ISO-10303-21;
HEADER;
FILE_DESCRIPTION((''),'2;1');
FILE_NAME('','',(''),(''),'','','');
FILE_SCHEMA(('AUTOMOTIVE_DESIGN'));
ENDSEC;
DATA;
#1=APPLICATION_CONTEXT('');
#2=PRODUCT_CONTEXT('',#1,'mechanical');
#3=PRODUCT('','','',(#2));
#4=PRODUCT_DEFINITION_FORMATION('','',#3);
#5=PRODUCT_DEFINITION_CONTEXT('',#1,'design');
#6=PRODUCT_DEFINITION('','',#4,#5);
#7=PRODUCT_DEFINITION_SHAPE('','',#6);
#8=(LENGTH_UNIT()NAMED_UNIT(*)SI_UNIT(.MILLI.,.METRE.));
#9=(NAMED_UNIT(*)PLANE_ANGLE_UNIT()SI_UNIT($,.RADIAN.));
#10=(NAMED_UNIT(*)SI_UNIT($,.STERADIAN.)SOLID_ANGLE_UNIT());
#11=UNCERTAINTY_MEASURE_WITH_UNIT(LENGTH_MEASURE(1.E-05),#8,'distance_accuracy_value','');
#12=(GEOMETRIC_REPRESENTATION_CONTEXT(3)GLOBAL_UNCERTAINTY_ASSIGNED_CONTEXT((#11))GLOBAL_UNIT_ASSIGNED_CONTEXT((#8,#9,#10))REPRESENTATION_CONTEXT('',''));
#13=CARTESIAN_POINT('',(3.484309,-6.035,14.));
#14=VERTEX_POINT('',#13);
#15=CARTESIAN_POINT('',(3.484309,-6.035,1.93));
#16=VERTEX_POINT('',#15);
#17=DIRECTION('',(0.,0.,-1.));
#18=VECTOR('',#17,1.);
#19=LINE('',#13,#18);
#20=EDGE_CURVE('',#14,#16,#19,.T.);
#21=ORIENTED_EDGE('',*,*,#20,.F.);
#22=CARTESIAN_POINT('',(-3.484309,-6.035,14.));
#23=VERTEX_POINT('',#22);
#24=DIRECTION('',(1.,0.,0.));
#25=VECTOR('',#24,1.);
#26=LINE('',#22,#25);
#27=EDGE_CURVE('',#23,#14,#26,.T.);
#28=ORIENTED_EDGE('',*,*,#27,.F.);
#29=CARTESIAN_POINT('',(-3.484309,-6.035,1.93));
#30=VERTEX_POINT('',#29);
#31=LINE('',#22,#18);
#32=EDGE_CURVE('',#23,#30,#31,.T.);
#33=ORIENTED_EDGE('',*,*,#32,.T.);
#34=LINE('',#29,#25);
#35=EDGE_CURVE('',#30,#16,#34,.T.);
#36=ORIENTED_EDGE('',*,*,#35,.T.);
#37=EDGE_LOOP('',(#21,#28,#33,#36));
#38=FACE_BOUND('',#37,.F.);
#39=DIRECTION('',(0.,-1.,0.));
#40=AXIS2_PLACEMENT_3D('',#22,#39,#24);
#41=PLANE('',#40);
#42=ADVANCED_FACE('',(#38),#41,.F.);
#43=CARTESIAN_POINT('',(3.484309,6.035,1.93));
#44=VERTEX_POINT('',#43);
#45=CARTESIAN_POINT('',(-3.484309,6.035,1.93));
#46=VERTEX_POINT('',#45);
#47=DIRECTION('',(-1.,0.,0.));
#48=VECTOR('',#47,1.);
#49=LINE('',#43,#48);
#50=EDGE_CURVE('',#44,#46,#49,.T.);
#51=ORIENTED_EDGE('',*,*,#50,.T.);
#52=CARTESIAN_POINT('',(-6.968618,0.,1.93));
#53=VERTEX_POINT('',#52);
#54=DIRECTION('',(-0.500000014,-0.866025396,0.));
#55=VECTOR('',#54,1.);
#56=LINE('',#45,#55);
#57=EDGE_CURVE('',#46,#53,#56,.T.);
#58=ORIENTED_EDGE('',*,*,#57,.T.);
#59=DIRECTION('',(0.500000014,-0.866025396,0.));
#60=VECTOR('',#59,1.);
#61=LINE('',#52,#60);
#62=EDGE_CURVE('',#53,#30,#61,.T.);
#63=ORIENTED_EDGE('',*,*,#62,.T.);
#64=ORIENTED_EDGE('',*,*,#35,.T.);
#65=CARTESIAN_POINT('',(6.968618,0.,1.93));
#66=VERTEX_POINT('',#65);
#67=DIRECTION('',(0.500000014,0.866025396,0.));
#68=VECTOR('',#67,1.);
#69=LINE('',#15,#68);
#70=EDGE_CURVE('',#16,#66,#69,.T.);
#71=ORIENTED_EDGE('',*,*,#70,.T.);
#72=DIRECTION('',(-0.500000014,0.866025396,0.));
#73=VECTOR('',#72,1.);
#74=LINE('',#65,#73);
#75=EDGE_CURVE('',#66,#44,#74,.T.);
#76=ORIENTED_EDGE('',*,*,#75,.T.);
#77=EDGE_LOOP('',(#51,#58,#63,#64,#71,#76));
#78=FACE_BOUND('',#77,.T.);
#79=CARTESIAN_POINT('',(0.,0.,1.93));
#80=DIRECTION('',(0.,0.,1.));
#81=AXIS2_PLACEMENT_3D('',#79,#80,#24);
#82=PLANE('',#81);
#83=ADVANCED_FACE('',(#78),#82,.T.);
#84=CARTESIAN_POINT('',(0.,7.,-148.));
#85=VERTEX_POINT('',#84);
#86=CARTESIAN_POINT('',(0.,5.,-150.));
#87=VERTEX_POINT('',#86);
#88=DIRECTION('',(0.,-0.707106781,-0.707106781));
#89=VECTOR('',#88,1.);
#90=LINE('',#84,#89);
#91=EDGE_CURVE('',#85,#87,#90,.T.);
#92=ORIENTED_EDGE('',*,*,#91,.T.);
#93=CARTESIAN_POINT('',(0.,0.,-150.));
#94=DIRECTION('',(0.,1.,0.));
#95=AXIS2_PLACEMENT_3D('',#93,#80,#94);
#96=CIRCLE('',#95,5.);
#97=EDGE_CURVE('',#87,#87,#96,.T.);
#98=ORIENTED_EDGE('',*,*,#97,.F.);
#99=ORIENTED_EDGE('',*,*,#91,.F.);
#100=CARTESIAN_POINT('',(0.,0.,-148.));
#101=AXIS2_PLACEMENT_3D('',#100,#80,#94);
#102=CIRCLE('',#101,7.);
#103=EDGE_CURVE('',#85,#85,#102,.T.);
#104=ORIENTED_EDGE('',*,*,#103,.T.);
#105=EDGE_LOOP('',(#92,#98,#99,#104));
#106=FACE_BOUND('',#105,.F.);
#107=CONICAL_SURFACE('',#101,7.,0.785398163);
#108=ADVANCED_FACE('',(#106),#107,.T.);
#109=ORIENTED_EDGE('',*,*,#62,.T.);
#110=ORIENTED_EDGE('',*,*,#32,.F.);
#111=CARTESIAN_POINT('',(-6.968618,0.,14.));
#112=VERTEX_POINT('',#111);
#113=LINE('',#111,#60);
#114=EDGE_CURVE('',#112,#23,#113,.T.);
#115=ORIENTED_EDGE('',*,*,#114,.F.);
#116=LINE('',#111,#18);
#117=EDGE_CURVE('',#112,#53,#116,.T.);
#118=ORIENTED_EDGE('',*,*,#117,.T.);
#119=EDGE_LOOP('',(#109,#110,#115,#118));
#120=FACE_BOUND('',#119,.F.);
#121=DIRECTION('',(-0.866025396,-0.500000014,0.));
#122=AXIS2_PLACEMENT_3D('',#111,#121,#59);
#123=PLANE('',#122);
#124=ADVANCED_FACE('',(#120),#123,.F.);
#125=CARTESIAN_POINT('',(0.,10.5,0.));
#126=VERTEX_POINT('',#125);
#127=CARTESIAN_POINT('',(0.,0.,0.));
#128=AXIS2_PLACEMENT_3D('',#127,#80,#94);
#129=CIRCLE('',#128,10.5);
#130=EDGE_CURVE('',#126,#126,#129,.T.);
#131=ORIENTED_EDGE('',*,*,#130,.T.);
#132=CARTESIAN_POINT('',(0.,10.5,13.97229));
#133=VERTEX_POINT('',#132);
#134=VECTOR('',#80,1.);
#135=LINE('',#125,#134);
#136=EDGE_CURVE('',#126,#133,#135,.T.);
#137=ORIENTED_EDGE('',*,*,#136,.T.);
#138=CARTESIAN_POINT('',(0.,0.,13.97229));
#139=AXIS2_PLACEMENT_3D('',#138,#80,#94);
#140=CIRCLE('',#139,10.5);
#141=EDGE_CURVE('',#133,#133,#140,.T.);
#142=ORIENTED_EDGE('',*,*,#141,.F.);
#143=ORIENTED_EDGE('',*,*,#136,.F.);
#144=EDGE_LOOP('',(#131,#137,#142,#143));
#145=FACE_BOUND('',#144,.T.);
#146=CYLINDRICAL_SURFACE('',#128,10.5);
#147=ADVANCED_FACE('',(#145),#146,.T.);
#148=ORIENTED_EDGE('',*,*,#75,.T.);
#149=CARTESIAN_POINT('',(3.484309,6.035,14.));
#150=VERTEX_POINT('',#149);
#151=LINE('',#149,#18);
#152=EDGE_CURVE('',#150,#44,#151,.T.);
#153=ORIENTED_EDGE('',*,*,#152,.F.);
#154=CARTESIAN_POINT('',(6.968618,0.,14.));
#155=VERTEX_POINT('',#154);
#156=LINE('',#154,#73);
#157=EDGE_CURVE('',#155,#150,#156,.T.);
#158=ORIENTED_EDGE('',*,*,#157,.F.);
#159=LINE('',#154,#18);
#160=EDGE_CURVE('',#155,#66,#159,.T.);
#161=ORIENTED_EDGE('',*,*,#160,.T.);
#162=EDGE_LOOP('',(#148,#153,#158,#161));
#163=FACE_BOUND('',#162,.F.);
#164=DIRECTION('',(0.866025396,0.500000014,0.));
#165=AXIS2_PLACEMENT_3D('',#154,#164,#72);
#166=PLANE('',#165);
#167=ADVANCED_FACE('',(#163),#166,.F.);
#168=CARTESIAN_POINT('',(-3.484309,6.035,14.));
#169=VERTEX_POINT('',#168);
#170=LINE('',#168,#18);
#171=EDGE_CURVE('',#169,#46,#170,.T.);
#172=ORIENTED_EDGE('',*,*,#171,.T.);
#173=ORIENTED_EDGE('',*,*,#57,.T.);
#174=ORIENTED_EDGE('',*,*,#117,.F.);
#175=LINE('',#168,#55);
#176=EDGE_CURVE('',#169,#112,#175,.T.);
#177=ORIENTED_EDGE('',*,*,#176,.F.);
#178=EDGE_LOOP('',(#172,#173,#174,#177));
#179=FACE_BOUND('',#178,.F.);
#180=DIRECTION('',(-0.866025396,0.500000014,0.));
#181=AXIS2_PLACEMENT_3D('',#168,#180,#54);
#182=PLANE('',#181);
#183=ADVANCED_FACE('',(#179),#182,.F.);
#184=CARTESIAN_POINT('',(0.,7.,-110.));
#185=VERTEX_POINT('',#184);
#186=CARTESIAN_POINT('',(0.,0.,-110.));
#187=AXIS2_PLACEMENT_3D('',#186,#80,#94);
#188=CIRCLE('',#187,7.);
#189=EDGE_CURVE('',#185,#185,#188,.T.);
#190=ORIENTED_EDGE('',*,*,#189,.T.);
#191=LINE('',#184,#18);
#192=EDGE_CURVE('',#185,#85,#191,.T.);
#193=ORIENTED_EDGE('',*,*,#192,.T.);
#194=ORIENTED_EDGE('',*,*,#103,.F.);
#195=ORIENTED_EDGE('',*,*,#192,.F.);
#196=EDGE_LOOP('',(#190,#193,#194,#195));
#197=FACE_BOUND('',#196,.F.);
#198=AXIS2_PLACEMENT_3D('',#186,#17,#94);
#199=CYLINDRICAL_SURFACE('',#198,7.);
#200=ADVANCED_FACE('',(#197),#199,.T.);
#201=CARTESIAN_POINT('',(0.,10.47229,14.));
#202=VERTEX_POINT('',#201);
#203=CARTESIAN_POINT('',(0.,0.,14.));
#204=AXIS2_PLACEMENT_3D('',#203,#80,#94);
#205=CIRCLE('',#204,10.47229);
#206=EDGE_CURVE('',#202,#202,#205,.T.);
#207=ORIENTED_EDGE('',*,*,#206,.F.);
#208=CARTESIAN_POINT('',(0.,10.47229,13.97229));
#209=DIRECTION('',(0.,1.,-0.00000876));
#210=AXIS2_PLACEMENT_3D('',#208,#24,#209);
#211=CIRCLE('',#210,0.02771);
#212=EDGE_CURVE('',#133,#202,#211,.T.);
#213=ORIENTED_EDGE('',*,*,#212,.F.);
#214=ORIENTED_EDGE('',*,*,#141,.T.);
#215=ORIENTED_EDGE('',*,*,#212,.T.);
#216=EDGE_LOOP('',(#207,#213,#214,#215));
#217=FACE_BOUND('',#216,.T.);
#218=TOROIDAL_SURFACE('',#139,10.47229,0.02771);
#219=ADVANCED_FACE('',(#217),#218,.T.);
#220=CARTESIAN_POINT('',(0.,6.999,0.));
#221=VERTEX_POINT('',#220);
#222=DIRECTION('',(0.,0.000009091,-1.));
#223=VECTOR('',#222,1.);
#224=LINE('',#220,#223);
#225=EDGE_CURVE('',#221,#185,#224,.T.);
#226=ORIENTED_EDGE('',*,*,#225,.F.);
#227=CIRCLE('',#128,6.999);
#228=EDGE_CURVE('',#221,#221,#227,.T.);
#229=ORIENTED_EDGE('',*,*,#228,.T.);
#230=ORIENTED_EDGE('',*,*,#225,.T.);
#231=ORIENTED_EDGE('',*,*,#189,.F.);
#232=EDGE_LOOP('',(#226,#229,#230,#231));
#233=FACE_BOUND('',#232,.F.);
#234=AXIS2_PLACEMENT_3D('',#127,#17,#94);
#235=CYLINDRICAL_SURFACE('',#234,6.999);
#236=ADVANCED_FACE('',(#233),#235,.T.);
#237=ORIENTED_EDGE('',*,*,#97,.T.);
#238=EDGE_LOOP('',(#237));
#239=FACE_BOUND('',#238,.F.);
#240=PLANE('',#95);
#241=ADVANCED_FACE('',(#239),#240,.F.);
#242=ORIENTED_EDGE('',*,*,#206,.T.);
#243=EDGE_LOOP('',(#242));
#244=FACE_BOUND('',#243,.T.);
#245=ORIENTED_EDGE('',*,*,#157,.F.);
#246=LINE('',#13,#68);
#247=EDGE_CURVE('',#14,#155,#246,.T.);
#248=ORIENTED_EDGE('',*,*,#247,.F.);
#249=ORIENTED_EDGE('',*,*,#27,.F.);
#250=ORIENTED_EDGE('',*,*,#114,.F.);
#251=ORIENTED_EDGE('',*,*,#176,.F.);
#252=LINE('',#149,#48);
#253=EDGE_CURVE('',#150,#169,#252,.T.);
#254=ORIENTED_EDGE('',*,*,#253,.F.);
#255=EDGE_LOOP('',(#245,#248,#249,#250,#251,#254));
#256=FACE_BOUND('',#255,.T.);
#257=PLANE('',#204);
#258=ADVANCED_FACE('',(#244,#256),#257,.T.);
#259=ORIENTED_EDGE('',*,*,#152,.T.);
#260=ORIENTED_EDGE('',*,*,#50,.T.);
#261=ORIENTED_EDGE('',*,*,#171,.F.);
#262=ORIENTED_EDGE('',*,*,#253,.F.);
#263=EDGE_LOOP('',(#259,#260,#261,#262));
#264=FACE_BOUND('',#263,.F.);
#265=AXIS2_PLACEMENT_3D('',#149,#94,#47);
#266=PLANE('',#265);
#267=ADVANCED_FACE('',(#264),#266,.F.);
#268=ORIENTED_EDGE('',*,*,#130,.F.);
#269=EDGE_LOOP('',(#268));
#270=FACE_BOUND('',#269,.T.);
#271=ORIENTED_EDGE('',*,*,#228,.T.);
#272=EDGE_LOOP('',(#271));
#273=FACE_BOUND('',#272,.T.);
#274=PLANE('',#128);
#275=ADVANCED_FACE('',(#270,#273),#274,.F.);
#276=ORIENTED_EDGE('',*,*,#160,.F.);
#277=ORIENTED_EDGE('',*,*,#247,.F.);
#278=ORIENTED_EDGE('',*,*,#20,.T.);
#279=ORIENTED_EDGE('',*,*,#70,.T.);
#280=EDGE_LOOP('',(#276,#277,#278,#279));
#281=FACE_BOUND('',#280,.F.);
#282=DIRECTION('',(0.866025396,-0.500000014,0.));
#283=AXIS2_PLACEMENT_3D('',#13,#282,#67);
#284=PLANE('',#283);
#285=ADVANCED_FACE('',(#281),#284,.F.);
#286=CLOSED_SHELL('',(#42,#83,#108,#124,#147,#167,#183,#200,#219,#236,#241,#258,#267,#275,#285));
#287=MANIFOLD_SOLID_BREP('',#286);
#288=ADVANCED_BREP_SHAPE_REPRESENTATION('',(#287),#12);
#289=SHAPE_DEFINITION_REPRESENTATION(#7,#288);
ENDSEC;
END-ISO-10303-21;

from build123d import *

# Parameters (mm, degrees)
POCKET_DEPTH = 12.07


with BuildPart() as part:
    # Sketch → Revolve (revolve)
    with BuildSketch(Plane.YZ):
        with BuildLine():
            Line((6.999, 0), (10.5, 0))
            Line((10.5, 0), (10.5, 13.97229))
            ThreePointArc((10.5, 13.97229), (10.491884, 13.991884), (10.47229, 14))
            Line((10.47229, 14), (0, 14))
            Line((0, -150), (0, 14))
            Line((5, -150), (0, -150))
            Line((7, -148), (5, -150))
            Line((7, -110), (7, -148))
            Line((6.999, 0), (7, -110))
        make_face()
    revolve(axis=Axis((0, 0, 0), (0, 0, 1)))

    # Sketch001 → Pocket (cut)
    with BuildSketch(Plane.XY.offset(14)):
        Polygon((6.968618, 0), (3.484309, 6.035), (-3.484309, 6.035), (-6.968618, 0), (-3.484309, -6.035), (3.484309, -6.035), align=None)
    extrude(amount=-POCKET_DEPTH, mode=Mode.SUBTRACT)


solid = part.part
